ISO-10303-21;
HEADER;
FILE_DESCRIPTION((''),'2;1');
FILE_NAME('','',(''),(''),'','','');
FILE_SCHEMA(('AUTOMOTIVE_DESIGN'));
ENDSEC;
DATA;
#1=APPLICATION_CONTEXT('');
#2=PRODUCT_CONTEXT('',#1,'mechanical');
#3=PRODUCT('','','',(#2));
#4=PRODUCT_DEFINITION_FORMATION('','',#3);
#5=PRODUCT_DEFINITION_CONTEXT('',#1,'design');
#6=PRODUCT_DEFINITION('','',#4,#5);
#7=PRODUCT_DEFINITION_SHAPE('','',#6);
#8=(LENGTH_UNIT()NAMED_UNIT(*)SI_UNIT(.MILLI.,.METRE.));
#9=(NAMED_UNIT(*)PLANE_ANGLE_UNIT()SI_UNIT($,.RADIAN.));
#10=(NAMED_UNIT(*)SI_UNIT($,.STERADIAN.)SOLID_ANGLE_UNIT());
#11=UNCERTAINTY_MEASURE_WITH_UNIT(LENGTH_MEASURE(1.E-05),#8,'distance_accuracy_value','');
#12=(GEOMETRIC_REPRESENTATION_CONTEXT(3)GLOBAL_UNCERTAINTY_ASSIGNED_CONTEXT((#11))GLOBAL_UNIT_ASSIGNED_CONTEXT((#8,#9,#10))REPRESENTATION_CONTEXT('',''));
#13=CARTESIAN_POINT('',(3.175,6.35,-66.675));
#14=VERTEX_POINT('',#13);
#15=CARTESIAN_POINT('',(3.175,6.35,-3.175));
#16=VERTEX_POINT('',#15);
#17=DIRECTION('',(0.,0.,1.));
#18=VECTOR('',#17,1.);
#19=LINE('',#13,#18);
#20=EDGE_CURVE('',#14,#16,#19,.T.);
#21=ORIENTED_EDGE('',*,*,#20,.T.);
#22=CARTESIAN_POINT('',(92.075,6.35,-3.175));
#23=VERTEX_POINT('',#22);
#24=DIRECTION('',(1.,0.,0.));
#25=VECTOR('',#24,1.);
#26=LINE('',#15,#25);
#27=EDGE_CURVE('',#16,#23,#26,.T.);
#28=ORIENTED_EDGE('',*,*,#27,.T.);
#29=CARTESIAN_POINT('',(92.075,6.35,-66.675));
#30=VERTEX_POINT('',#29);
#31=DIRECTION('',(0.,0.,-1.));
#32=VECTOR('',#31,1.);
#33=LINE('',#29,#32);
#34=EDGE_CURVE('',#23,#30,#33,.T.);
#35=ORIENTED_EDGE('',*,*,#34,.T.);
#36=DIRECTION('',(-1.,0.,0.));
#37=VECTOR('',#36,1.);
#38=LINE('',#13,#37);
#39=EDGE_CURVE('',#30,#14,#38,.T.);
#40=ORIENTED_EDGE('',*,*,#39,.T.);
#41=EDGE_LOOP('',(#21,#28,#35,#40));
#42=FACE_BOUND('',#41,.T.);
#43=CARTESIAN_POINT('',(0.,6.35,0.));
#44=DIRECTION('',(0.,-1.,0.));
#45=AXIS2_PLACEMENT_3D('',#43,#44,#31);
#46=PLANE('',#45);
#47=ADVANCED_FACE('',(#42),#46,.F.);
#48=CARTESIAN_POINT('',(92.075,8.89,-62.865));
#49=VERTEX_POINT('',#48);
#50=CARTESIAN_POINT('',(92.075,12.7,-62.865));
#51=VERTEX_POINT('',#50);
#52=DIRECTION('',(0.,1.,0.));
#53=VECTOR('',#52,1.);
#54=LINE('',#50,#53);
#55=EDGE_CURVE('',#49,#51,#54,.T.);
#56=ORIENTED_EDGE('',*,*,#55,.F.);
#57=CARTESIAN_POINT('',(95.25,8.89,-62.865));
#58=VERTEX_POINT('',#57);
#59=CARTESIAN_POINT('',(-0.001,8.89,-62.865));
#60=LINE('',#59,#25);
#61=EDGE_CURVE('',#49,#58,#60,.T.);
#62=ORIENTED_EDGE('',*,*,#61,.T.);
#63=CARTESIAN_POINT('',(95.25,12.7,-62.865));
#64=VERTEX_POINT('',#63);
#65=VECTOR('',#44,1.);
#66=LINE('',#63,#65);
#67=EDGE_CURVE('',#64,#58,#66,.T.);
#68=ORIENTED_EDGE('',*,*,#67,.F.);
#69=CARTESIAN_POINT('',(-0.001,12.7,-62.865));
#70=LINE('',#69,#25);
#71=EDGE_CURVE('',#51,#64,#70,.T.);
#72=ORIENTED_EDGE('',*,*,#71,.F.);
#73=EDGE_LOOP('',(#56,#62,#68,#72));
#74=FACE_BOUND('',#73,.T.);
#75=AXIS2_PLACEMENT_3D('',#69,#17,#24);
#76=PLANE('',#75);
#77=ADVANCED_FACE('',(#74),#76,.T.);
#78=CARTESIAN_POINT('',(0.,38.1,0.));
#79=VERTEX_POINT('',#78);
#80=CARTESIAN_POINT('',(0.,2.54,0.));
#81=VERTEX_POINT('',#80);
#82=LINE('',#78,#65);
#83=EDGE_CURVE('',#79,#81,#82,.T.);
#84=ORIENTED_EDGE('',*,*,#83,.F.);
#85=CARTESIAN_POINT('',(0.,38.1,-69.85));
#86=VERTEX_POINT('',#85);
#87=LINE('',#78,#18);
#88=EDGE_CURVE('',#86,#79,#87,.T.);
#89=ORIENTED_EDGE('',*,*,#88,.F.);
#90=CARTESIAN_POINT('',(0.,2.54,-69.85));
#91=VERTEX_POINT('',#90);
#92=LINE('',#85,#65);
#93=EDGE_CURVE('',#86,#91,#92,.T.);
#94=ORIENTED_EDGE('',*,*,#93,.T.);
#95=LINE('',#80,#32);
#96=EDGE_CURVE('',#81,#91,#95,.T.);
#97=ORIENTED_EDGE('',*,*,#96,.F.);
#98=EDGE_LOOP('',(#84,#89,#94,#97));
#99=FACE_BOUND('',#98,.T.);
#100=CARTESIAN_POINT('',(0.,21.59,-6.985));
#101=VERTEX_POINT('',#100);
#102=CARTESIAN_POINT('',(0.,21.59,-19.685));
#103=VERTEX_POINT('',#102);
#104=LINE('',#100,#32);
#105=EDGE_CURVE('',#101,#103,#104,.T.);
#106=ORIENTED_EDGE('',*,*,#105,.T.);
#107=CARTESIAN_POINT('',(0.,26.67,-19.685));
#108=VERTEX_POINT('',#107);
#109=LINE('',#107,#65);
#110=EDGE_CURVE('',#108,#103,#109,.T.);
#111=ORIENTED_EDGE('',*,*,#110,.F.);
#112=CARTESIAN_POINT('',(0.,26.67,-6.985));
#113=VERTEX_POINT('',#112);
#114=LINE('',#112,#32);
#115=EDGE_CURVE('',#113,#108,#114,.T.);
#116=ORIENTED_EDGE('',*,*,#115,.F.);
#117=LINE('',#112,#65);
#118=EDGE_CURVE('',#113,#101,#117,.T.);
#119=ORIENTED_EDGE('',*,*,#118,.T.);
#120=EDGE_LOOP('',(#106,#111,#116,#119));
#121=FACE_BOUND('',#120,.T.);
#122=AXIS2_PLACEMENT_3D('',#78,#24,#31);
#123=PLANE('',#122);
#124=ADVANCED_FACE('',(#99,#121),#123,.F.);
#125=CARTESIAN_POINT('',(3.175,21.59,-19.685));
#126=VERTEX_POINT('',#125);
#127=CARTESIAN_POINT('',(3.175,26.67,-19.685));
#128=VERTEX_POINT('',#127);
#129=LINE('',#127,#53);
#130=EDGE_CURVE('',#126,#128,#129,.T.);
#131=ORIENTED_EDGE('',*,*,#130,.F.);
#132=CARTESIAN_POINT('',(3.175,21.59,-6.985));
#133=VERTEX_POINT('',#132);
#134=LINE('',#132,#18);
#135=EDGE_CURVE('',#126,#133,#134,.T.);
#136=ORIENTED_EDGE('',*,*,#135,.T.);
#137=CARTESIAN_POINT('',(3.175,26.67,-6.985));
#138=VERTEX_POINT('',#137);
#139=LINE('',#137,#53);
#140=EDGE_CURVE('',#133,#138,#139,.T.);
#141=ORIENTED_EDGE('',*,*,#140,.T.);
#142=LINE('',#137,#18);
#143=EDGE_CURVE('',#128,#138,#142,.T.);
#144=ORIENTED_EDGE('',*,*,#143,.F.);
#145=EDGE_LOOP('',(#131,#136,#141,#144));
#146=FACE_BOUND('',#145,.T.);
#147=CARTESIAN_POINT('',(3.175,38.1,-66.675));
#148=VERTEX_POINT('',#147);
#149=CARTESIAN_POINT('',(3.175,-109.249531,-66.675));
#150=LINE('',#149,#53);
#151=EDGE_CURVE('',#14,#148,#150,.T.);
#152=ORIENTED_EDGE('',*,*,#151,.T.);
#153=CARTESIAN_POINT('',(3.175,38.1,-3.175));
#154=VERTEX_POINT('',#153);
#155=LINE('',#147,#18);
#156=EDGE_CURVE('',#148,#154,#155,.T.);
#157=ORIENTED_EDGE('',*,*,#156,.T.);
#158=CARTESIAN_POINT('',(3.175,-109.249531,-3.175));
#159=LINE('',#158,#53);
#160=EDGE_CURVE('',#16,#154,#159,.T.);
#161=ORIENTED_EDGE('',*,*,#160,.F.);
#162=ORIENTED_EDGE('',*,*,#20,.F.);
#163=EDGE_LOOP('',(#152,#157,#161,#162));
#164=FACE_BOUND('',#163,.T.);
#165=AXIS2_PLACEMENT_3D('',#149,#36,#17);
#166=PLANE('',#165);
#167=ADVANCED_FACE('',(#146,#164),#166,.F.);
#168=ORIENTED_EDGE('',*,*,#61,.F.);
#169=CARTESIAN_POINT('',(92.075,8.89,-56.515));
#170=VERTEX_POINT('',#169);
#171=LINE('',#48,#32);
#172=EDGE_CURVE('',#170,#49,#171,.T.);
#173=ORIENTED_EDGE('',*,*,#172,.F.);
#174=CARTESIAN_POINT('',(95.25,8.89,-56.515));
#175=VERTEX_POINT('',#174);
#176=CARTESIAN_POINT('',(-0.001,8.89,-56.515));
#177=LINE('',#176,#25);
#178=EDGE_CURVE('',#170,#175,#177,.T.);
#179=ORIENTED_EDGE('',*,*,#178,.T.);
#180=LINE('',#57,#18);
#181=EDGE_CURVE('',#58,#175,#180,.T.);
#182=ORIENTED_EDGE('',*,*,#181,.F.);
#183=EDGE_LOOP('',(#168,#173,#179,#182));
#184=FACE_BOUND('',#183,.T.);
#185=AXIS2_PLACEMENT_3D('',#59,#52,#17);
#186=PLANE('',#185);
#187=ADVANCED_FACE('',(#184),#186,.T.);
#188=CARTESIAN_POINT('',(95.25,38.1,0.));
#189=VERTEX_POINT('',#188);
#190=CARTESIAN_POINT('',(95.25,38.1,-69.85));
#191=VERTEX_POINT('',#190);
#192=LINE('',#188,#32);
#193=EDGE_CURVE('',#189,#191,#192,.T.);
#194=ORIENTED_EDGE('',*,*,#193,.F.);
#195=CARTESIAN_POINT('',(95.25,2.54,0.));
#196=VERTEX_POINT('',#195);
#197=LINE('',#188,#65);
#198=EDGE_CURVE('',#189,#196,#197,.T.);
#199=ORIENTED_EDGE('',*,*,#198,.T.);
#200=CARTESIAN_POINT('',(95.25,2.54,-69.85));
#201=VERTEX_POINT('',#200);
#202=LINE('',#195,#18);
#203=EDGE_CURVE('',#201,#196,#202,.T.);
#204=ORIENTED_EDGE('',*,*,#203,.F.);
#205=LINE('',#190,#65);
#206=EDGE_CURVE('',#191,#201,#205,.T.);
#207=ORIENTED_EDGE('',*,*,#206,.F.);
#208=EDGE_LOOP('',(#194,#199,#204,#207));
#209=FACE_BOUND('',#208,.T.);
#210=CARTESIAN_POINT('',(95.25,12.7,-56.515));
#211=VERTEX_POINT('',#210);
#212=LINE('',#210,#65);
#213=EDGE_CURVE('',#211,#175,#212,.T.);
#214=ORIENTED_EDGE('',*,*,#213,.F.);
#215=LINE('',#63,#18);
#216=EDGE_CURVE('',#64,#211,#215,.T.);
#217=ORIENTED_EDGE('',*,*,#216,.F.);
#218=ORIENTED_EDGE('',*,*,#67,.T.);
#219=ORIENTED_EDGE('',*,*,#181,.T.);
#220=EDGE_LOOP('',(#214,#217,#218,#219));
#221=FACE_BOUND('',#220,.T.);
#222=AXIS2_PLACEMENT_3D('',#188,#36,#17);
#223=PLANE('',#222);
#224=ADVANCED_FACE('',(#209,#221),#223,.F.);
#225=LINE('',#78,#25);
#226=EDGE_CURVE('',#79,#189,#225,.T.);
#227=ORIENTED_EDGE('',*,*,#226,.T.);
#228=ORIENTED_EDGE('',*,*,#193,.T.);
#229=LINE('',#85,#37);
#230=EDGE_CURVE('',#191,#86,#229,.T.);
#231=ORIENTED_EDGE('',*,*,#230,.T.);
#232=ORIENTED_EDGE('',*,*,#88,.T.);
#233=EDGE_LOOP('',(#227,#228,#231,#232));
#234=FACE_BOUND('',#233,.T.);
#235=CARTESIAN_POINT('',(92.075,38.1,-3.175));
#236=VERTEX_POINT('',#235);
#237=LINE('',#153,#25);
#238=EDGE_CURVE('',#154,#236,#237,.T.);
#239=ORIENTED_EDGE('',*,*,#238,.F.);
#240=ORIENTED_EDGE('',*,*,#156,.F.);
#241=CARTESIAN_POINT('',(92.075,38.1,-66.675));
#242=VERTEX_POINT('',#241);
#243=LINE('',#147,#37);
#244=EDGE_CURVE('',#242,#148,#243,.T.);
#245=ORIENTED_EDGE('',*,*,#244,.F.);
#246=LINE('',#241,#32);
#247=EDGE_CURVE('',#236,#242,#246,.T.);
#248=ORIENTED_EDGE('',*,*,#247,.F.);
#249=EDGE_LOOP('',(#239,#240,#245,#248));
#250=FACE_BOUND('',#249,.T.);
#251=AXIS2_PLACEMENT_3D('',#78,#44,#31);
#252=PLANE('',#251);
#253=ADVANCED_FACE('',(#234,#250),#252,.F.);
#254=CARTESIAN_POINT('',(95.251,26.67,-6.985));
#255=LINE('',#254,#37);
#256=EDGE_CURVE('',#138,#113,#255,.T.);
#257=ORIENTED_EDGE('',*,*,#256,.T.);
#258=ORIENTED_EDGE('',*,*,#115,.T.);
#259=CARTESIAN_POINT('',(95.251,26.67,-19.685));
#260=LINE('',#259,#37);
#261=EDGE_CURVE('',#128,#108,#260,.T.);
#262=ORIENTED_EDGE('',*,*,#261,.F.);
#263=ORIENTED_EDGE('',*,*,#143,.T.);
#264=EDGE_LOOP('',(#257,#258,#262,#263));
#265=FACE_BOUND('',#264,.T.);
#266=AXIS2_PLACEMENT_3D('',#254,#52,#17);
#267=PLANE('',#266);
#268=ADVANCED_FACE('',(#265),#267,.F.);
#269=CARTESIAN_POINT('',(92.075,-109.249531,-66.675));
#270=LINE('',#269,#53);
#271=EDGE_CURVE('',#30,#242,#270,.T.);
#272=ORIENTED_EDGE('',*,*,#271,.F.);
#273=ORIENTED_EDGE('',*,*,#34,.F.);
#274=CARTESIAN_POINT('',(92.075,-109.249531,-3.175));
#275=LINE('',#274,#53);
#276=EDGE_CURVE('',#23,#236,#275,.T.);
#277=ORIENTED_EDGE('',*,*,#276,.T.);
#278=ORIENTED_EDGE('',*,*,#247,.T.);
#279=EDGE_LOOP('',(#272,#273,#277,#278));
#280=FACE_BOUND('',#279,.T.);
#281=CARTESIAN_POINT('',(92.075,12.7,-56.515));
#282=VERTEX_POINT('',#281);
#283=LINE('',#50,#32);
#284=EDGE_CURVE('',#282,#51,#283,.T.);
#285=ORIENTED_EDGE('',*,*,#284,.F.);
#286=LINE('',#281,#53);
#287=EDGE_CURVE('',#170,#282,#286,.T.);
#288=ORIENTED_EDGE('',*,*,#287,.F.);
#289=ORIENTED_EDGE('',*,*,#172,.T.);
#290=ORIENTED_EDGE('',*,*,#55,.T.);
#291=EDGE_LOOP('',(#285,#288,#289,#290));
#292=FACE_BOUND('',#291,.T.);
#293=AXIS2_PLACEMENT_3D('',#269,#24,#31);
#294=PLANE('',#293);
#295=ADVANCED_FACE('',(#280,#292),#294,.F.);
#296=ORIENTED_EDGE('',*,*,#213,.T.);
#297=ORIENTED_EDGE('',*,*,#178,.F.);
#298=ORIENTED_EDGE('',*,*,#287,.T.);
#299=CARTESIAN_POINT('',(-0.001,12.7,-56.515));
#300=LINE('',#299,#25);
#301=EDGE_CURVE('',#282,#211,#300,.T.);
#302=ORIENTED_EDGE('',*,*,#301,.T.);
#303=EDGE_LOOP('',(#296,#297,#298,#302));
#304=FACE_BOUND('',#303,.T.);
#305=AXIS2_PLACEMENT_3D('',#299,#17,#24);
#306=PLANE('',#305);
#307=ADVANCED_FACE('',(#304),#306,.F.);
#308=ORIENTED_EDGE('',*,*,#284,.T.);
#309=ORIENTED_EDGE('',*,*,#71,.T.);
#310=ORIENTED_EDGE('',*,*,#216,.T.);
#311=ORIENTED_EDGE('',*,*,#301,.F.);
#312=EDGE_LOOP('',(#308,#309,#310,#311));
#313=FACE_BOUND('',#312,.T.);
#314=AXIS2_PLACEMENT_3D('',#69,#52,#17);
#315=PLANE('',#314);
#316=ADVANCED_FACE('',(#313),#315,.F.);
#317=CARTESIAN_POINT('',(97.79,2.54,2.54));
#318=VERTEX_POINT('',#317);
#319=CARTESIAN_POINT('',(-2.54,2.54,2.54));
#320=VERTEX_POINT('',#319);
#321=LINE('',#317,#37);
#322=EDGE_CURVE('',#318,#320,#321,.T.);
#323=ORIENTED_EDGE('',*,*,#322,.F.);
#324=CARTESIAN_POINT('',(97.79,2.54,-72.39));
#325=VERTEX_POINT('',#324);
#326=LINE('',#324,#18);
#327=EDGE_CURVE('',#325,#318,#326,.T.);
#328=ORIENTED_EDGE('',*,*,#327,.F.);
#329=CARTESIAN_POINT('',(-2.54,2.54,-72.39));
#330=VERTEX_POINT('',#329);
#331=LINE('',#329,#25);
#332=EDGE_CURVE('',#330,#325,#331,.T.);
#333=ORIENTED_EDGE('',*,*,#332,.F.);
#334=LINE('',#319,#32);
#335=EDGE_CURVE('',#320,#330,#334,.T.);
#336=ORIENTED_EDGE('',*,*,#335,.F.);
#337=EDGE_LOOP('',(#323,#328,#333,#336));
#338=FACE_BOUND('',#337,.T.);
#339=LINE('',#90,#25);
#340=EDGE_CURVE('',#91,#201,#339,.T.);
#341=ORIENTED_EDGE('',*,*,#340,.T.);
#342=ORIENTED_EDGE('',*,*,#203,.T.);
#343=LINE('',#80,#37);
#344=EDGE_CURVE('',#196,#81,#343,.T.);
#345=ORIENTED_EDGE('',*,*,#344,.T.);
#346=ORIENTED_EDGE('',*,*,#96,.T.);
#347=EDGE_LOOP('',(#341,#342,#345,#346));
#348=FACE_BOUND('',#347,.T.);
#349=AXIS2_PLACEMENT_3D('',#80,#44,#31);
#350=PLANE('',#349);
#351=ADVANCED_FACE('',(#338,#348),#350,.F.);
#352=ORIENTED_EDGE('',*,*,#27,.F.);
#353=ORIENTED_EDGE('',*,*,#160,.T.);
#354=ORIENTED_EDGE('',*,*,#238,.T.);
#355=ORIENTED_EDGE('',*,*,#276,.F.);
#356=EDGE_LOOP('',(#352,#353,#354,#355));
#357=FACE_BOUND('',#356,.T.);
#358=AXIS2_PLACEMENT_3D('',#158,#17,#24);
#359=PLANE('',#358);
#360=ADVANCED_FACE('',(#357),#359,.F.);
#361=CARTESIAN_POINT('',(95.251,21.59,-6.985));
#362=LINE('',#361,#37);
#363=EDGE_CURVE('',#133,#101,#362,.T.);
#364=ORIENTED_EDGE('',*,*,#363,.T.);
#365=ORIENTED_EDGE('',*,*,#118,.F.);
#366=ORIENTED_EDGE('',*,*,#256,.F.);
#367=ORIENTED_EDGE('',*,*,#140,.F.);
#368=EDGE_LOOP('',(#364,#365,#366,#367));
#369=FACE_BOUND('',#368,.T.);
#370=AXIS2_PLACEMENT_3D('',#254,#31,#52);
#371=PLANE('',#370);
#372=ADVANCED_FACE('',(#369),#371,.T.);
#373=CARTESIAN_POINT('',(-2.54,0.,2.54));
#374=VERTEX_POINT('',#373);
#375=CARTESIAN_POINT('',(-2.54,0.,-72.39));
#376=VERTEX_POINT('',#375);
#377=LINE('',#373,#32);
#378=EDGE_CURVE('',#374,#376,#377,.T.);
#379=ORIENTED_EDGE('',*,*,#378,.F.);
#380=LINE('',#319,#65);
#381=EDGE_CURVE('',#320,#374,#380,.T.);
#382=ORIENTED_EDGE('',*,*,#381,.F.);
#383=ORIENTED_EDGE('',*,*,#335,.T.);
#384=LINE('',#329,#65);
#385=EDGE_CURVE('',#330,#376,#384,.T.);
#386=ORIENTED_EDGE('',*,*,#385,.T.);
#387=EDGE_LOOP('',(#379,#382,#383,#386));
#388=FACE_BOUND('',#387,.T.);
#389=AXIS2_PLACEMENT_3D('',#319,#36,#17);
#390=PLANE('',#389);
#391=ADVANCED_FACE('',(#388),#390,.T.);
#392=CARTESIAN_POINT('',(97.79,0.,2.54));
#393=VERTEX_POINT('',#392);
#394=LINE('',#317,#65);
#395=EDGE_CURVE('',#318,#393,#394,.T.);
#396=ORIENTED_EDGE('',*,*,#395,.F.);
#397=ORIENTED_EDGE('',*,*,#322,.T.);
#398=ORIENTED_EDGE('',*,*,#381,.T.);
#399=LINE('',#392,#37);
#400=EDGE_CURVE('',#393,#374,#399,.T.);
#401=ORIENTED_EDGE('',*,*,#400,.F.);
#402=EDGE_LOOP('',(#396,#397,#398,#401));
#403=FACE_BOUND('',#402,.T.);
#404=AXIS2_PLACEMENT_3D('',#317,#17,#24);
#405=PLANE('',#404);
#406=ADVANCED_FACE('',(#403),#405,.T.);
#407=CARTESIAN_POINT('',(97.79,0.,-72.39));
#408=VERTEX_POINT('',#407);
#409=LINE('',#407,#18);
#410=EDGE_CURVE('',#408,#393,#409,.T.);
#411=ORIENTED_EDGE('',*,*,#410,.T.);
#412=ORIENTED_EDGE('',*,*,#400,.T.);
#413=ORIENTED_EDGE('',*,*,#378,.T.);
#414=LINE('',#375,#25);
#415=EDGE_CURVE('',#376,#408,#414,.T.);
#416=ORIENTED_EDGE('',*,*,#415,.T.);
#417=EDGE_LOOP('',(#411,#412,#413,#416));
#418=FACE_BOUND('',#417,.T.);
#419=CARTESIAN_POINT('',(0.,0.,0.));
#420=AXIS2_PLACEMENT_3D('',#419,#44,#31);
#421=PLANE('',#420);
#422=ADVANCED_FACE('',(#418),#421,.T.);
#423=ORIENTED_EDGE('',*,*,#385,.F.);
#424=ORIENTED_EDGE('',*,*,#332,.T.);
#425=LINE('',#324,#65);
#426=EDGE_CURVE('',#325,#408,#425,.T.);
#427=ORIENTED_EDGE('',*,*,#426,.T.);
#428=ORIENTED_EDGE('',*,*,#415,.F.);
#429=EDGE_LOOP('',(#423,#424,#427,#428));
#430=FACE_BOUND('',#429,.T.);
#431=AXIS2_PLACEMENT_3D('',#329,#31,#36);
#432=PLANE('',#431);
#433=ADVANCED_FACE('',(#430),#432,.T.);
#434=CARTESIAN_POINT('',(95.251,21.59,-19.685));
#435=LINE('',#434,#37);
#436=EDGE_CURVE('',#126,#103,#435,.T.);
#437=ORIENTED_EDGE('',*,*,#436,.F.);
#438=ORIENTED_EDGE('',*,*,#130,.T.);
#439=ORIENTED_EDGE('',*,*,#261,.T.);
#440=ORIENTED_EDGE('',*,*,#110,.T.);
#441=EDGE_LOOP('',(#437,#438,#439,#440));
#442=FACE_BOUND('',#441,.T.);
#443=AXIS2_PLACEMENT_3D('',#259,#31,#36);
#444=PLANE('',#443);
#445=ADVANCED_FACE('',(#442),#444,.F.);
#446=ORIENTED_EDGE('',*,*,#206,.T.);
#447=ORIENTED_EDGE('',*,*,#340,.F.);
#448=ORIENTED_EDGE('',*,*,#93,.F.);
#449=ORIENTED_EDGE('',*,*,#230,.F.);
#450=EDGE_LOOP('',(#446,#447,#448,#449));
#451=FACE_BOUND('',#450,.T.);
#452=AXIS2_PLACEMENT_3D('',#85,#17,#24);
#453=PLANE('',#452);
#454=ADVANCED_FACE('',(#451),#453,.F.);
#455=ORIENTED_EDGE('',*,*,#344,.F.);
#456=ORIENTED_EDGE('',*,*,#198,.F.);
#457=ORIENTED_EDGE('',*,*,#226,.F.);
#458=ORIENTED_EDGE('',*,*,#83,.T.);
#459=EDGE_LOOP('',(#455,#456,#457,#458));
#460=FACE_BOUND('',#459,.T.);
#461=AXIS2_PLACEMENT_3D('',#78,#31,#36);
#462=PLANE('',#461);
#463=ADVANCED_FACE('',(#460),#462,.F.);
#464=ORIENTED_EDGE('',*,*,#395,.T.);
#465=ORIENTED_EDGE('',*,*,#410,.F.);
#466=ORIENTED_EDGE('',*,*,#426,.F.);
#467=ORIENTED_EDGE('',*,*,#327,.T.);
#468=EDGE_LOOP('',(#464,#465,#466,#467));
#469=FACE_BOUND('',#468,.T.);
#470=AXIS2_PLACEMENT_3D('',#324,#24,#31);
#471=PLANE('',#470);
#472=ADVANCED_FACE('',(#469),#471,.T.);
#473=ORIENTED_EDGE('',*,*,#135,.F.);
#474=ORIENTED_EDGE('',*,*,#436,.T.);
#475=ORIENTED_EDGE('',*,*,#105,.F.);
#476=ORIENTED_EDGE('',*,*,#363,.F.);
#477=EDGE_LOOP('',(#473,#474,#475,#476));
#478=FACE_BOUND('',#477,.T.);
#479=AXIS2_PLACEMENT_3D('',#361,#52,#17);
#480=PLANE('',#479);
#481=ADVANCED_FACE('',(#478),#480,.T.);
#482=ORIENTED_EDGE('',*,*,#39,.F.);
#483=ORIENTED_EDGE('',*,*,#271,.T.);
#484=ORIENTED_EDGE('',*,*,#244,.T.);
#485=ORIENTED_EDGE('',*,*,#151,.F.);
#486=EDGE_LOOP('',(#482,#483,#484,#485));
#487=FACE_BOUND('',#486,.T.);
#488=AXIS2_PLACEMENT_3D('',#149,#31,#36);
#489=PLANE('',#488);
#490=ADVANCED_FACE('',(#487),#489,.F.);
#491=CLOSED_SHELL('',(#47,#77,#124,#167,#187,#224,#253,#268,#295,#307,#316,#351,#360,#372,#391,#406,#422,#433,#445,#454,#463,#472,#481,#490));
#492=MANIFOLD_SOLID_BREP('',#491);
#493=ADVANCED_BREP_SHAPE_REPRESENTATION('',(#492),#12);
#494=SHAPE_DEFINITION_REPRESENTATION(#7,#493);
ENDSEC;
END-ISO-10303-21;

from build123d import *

# Parameters (mm, degrees)
SKETCH1_W           = 95.25
SKETCH1_H           = 69.85
BOSS_EXTRUDE1_DEPTH = 38.1
SKETCH2_W           = 88.9
SKETCH2_H           = 63.5
CUT_EXTRUDE1_DEPTH  = 31.75
CUT_EXTRUDE2_REACH  = 126.11
SKETCH3_W           = 6.35
SKETCH3_H           = 3.81
CUT_EXTRUDE3_REACH  = 126.11
SKETCH4_W           = 12.7
SKETCH4_H           = 5.08
SKETCH5_W           = 100.33
SKETCH5_H           = 74.93
BOSS_EXTRUDE2_DEPTH = 2.54


with BuildPart() as part:
    # Sketch1 → Boss-Extrude1 (new body)
    with BuildSketch(Plane(origin=(0, 0, 0), x_dir=(1, 0, 0), z_dir=(0, 1, 0))):
        with Locations((47.625, 34.925)):
            Rectangle(SKETCH1_W, SKETCH1_H)
    extrude(amount=BOSS_EXTRUDE1_DEPTH)

    # Sketch2 → Cut-Extrude1 (cut)
    with BuildSketch(Plane(origin=(0, 38.1, 0), x_dir=(1, 0, 0), z_dir=(0, 1, 0))):
        with Locations((47.625, 34.925)):
            Rectangle(SKETCH2_W, SKETCH2_H)
    extrude(amount=-CUT_EXTRUDE1_DEPTH, mode=Mode.SUBTRACT)

    # Sketch3 → Cut-Extrude2 (cut, up to next)
    with BuildSketch(Plane(origin=(95.25, 0, 0), x_dir=(0, 0, -1), z_dir=(1, 0, 0)), mode=Mode.PRIVATE) as cut_extrude2_sk1:
        with Locations((59.69, 10.795)):
            Rectangle(SKETCH3_W, SKETCH3_H)
    cut_extrude2_tool1 = extrude(cut_extrude2_sk1.sketch, amount=-CUT_EXTRUDE2_REACH, mode=Mode.PRIVATE) & part.part
    add(cut_extrude2_tool1.solids().sort_by_distance((95.25, 10.795, -59.69))[0], mode=Mode.SUBTRACT)

    # Sketch4 → Cut-Extrude3 (cut, up to next)
    with BuildSketch(Plane.ZY, mode=Mode.PRIVATE) as cut_extrude3_sk1:
        with Locations((-13.335, 24.13)):
            Rectangle(SKETCH4_W, SKETCH4_H)
    cut_extrude3_tool1 = extrude(cut_extrude3_sk1.sketch, amount=-CUT_EXTRUDE3_REACH, mode=Mode.PRIVATE) & part.part
    add(cut_extrude3_tool1.solids().sort_by_distance((0, 24.13, -13.335))[0], mode=Mode.SUBTRACT)

    # Sketch5 → Boss-Extrude2 (add)
    with BuildSketch(Plane.XZ):
        with Locations((47.625, -34.925)):
            Rectangle(SKETCH5_W, SKETCH5_H)
    extrude(amount=-BOSS_EXTRUDE2_DEPTH)


solid = part.part
